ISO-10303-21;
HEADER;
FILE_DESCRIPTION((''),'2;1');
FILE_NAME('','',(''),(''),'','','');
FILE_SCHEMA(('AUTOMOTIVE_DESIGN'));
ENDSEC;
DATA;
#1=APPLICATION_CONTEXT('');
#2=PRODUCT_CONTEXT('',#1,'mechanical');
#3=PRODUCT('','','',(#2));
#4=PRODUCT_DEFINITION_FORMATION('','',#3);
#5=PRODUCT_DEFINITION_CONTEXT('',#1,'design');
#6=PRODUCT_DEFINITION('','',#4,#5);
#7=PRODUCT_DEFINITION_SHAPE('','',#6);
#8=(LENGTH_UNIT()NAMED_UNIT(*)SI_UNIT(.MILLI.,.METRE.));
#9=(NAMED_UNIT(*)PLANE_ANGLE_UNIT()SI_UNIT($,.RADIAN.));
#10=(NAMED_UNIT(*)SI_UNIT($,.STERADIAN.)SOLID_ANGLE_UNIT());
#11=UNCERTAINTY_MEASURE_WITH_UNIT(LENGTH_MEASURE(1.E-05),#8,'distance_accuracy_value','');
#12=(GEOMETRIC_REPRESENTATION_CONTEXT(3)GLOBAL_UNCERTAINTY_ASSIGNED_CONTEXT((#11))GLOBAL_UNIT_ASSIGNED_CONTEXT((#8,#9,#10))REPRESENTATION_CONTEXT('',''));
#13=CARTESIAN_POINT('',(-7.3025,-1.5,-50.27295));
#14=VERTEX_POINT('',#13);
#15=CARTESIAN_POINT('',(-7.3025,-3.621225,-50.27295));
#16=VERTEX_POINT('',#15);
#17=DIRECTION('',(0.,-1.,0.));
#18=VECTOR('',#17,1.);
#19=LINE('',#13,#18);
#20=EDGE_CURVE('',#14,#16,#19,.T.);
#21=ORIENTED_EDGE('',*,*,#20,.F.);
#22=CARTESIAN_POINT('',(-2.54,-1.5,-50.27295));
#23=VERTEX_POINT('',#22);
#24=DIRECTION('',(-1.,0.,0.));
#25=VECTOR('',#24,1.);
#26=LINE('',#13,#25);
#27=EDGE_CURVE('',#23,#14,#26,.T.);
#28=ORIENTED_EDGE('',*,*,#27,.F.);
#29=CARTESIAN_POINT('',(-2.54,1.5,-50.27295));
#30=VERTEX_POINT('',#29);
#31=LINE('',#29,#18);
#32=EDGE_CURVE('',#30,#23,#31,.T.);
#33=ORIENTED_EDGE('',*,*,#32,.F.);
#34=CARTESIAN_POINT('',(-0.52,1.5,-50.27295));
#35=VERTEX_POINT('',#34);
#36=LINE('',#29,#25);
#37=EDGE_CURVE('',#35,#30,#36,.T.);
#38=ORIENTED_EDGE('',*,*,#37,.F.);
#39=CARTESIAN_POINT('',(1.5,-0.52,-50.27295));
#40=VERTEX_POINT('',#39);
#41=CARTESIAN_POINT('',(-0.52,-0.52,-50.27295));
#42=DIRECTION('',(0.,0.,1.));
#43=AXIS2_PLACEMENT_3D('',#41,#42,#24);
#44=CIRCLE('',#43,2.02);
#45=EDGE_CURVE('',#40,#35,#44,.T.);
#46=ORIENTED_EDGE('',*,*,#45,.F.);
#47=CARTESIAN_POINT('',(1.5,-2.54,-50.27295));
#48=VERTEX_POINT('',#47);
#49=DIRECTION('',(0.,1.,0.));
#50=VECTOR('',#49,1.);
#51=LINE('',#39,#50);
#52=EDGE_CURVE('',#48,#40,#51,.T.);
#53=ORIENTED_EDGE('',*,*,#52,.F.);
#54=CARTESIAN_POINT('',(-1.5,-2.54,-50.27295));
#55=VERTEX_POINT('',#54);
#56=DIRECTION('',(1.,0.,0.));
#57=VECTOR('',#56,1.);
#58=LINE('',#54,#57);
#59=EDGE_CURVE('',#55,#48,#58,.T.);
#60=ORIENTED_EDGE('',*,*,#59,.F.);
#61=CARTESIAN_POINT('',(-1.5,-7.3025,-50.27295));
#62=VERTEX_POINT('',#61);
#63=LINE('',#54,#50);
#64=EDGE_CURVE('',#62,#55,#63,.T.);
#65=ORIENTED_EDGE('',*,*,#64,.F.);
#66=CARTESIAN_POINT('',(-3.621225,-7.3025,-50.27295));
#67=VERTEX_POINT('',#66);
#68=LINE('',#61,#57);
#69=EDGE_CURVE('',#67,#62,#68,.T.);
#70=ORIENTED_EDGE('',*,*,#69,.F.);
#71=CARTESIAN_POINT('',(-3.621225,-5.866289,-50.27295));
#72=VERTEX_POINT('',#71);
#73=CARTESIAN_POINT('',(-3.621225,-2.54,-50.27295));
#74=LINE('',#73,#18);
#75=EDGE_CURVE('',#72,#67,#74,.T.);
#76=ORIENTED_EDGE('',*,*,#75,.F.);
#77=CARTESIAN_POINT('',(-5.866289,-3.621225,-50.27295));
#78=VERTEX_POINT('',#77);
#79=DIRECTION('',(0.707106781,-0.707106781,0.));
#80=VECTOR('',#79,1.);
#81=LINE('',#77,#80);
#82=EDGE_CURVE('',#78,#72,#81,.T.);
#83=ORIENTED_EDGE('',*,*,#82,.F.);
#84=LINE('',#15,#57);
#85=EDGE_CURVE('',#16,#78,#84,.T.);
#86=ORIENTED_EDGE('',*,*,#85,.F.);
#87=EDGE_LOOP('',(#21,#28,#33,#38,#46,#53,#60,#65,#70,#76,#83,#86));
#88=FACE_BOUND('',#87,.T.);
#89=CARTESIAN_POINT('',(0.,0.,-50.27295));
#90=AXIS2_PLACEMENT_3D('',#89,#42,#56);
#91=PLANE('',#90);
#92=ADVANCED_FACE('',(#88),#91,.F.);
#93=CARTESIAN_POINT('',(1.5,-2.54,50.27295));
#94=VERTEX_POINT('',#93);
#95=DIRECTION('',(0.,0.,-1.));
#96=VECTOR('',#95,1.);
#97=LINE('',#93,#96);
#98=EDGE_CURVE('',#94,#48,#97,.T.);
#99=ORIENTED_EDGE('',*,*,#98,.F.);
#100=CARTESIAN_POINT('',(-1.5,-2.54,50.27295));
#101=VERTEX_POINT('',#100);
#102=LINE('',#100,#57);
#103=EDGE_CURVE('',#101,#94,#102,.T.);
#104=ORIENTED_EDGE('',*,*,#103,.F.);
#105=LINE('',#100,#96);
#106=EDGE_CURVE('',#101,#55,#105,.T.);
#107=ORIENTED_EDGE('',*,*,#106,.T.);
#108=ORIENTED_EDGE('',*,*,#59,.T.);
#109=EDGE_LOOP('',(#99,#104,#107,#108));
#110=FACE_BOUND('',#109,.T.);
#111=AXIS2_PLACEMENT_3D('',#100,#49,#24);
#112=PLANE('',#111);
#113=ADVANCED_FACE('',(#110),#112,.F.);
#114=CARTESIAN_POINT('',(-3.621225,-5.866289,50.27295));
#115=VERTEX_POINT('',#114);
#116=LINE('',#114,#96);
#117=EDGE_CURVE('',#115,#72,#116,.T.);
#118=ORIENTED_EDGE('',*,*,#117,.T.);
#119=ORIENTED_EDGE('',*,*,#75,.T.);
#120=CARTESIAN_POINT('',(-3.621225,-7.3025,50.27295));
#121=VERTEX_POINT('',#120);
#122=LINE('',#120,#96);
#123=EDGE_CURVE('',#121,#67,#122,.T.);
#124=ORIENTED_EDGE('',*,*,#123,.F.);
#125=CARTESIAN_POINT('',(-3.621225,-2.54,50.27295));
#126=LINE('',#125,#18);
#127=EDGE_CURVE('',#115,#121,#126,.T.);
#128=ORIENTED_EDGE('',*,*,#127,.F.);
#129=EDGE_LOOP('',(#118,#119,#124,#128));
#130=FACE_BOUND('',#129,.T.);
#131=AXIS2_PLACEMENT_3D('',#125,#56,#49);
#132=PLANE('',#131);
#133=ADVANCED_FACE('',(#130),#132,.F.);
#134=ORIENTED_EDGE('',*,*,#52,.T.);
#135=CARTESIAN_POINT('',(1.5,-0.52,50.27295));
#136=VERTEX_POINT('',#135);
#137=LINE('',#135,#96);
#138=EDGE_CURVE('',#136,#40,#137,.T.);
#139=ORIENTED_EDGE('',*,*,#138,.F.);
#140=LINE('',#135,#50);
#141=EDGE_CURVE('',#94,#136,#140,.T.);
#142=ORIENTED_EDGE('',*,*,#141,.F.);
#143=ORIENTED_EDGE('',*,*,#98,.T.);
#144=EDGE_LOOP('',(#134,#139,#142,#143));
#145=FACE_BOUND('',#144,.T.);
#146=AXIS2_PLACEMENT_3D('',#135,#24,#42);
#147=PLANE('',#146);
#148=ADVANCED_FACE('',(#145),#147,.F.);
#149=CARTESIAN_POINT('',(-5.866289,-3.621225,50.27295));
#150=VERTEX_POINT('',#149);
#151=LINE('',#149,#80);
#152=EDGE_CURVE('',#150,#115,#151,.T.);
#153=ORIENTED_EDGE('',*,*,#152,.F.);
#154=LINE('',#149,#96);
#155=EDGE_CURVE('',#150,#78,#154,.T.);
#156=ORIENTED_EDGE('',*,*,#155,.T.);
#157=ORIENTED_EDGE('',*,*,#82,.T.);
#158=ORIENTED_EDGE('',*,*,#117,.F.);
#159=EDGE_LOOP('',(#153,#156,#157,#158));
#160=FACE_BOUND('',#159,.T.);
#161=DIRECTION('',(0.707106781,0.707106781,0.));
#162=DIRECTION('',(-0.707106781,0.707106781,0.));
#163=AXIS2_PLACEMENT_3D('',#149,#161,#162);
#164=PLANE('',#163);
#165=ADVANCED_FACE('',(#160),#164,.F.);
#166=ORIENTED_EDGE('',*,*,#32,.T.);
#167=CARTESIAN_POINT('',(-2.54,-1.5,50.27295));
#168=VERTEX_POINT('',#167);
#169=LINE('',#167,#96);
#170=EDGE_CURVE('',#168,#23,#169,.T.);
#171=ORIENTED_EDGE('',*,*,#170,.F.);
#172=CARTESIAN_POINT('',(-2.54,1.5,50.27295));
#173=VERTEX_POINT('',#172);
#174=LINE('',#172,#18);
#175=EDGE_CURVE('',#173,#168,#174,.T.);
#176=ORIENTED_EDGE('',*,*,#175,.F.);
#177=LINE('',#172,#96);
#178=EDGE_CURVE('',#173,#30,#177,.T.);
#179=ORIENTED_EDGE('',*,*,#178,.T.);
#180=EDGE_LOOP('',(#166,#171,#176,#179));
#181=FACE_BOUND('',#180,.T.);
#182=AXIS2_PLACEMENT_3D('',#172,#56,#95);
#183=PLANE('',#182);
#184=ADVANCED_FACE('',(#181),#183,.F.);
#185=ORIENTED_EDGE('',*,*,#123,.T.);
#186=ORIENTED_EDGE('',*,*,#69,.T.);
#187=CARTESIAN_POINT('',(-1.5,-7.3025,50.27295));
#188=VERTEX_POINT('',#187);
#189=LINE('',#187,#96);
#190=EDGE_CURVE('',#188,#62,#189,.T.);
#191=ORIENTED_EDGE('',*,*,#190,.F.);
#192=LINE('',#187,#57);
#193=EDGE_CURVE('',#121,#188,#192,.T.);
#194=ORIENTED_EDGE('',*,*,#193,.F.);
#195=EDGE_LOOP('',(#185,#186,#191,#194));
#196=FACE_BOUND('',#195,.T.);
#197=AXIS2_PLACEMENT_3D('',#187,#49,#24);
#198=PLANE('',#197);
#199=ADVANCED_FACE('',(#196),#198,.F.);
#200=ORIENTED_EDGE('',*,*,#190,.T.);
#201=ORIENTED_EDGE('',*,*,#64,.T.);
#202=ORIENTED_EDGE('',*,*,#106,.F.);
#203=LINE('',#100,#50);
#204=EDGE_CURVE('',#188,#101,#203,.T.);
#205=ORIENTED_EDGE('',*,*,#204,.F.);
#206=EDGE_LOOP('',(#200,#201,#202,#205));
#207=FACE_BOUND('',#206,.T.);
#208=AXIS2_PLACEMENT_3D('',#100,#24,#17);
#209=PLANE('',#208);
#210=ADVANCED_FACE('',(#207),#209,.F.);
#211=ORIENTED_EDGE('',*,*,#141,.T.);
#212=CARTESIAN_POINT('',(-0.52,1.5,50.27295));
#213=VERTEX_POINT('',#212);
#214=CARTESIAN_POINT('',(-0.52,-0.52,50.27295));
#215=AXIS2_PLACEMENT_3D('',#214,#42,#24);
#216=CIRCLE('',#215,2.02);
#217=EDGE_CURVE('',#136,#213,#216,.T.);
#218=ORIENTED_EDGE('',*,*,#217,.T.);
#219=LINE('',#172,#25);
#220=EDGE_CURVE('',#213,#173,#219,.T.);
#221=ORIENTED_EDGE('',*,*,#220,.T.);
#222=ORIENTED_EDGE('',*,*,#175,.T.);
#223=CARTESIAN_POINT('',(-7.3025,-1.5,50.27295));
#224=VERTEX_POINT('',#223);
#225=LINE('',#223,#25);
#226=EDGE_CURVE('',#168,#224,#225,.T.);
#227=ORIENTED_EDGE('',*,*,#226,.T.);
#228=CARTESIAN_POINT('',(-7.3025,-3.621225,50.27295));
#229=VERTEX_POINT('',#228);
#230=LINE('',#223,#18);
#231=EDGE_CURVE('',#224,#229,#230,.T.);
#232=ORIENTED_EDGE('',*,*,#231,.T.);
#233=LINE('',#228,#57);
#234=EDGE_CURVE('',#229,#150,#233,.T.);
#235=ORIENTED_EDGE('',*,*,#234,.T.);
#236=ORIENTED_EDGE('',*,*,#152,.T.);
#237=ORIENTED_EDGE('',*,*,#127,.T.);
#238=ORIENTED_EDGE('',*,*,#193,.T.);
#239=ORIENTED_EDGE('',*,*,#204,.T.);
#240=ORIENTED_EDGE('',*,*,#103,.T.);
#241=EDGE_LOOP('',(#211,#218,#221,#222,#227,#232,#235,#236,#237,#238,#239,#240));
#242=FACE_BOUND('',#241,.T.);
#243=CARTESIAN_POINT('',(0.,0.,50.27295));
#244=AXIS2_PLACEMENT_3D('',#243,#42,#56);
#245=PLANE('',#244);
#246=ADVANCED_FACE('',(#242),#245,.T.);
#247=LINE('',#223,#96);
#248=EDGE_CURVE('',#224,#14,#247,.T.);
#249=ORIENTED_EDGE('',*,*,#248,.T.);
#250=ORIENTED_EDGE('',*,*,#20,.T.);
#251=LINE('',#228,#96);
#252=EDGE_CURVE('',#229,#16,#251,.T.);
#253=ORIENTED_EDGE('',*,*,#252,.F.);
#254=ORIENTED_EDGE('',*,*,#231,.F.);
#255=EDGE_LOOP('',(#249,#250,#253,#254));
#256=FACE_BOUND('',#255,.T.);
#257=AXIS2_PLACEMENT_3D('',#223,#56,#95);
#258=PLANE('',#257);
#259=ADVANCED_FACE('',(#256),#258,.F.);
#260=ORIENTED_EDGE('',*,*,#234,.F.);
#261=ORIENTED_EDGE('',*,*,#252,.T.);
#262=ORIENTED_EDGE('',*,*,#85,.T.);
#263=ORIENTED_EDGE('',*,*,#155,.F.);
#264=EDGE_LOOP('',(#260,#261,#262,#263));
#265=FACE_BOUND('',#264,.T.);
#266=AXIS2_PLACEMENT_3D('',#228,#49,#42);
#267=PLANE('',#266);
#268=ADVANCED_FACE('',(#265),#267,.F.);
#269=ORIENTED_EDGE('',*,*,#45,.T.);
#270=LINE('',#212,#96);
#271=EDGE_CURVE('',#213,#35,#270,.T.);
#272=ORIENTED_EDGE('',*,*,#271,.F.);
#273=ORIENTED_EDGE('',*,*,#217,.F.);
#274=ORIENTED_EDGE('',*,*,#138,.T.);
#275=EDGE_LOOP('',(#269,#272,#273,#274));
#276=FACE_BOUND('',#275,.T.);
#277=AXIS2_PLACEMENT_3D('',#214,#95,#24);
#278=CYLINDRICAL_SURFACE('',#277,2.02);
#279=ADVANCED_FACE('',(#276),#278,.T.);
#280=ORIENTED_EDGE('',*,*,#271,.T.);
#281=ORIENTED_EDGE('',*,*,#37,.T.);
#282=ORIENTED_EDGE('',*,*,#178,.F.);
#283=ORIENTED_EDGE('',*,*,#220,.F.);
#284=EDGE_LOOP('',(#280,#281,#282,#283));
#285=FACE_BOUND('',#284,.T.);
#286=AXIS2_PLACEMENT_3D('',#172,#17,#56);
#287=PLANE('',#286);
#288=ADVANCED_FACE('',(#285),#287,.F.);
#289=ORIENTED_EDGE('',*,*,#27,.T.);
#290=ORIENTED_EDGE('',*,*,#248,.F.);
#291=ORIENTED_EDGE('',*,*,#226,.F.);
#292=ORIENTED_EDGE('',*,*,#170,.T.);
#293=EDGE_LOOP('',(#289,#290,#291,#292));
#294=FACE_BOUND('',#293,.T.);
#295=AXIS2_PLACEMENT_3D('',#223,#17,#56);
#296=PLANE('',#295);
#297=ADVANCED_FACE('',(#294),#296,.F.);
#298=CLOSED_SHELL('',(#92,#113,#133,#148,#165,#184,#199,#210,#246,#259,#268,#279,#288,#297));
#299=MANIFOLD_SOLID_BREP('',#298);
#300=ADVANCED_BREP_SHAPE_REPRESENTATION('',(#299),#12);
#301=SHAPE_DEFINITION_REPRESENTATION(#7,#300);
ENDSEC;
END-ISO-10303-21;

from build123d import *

# Parameters (mm, degrees)
SKETCH7_W           = 4.7625
SKETCH7_H           = 2.12122512
BOSS_EXTRUDE2_DEPTH = 50.27295
SKETCH8_W           = 2.12122512
SKETCH8_H           = 4.7625
BOSS_EXTRUDE3_DEPTH = 50.27295
BOSS_EXTRUDE4_DEPTH = 50.27295


with BuildPart() as part:
    # Sketch7 → Boss-Extrude2 (new, symmetric)
    with BuildSketch(Plane.XY):
        with Locations((-4.92125, -2.560612608)):
            Rectangle(SKETCH7_W, SKETCH7_H)
    extrude(amount=BOSS_EXTRUDE2_DEPTH, both=True)

    # Sketch8 → Boss-Extrude3 (add, symmetric)
    with BuildSketch(Plane.XY):
        with Locations((-2.560612608, -4.92125)):
            Rectangle(SKETCH8_W, SKETCH8_H)
    extrude(amount=BOSS_EXTRUDE3_DEPTH, both=True)

    # Sketch11 → Boss-Extrude4 (add, symmetric)
    with BuildSketch(Plane.XY):
        with BuildLine():
            Line((-2.54, 1.500000048), (-2.54, -1.500000048))
            Line((-2.54, -1.500000048), (-7.3025, -1.500000048))
            Line((-7.3025, -1.500000048), (-7.3025, -3.621225168))
            Line((-7.3025, -3.621225168), (-5.866289198, -3.621225168))
            Line((-5.866289198, -3.621225168), (-3.621225168, -5.866289198))
            Line((-3.621225168, -5.866289198), (-3.621225168, -7.3025))
            Line((-3.621225168, -7.3025), (-1.500000048, -7.3025))
            Line((-1.500000048, -7.3025), (-1.500000048, -2.54))
            Line((-1.500000048, -2.54), (1.500000048, -2.54))
            Line((1.500000048, -2.54), (1.500000048, -0.519999976))
            ThreePointArc((1.500000048, -0.519999976), (0.908355739, 0.908355739), (-0.519999976, 1.500000048))
            Line((-0.519999976, 1.500000048), (-2.54, 1.500000048))
        make_face()
    extrude(amount=BOSS_EXTRUDE4_DEPTH, both=True)


solid = part.part
